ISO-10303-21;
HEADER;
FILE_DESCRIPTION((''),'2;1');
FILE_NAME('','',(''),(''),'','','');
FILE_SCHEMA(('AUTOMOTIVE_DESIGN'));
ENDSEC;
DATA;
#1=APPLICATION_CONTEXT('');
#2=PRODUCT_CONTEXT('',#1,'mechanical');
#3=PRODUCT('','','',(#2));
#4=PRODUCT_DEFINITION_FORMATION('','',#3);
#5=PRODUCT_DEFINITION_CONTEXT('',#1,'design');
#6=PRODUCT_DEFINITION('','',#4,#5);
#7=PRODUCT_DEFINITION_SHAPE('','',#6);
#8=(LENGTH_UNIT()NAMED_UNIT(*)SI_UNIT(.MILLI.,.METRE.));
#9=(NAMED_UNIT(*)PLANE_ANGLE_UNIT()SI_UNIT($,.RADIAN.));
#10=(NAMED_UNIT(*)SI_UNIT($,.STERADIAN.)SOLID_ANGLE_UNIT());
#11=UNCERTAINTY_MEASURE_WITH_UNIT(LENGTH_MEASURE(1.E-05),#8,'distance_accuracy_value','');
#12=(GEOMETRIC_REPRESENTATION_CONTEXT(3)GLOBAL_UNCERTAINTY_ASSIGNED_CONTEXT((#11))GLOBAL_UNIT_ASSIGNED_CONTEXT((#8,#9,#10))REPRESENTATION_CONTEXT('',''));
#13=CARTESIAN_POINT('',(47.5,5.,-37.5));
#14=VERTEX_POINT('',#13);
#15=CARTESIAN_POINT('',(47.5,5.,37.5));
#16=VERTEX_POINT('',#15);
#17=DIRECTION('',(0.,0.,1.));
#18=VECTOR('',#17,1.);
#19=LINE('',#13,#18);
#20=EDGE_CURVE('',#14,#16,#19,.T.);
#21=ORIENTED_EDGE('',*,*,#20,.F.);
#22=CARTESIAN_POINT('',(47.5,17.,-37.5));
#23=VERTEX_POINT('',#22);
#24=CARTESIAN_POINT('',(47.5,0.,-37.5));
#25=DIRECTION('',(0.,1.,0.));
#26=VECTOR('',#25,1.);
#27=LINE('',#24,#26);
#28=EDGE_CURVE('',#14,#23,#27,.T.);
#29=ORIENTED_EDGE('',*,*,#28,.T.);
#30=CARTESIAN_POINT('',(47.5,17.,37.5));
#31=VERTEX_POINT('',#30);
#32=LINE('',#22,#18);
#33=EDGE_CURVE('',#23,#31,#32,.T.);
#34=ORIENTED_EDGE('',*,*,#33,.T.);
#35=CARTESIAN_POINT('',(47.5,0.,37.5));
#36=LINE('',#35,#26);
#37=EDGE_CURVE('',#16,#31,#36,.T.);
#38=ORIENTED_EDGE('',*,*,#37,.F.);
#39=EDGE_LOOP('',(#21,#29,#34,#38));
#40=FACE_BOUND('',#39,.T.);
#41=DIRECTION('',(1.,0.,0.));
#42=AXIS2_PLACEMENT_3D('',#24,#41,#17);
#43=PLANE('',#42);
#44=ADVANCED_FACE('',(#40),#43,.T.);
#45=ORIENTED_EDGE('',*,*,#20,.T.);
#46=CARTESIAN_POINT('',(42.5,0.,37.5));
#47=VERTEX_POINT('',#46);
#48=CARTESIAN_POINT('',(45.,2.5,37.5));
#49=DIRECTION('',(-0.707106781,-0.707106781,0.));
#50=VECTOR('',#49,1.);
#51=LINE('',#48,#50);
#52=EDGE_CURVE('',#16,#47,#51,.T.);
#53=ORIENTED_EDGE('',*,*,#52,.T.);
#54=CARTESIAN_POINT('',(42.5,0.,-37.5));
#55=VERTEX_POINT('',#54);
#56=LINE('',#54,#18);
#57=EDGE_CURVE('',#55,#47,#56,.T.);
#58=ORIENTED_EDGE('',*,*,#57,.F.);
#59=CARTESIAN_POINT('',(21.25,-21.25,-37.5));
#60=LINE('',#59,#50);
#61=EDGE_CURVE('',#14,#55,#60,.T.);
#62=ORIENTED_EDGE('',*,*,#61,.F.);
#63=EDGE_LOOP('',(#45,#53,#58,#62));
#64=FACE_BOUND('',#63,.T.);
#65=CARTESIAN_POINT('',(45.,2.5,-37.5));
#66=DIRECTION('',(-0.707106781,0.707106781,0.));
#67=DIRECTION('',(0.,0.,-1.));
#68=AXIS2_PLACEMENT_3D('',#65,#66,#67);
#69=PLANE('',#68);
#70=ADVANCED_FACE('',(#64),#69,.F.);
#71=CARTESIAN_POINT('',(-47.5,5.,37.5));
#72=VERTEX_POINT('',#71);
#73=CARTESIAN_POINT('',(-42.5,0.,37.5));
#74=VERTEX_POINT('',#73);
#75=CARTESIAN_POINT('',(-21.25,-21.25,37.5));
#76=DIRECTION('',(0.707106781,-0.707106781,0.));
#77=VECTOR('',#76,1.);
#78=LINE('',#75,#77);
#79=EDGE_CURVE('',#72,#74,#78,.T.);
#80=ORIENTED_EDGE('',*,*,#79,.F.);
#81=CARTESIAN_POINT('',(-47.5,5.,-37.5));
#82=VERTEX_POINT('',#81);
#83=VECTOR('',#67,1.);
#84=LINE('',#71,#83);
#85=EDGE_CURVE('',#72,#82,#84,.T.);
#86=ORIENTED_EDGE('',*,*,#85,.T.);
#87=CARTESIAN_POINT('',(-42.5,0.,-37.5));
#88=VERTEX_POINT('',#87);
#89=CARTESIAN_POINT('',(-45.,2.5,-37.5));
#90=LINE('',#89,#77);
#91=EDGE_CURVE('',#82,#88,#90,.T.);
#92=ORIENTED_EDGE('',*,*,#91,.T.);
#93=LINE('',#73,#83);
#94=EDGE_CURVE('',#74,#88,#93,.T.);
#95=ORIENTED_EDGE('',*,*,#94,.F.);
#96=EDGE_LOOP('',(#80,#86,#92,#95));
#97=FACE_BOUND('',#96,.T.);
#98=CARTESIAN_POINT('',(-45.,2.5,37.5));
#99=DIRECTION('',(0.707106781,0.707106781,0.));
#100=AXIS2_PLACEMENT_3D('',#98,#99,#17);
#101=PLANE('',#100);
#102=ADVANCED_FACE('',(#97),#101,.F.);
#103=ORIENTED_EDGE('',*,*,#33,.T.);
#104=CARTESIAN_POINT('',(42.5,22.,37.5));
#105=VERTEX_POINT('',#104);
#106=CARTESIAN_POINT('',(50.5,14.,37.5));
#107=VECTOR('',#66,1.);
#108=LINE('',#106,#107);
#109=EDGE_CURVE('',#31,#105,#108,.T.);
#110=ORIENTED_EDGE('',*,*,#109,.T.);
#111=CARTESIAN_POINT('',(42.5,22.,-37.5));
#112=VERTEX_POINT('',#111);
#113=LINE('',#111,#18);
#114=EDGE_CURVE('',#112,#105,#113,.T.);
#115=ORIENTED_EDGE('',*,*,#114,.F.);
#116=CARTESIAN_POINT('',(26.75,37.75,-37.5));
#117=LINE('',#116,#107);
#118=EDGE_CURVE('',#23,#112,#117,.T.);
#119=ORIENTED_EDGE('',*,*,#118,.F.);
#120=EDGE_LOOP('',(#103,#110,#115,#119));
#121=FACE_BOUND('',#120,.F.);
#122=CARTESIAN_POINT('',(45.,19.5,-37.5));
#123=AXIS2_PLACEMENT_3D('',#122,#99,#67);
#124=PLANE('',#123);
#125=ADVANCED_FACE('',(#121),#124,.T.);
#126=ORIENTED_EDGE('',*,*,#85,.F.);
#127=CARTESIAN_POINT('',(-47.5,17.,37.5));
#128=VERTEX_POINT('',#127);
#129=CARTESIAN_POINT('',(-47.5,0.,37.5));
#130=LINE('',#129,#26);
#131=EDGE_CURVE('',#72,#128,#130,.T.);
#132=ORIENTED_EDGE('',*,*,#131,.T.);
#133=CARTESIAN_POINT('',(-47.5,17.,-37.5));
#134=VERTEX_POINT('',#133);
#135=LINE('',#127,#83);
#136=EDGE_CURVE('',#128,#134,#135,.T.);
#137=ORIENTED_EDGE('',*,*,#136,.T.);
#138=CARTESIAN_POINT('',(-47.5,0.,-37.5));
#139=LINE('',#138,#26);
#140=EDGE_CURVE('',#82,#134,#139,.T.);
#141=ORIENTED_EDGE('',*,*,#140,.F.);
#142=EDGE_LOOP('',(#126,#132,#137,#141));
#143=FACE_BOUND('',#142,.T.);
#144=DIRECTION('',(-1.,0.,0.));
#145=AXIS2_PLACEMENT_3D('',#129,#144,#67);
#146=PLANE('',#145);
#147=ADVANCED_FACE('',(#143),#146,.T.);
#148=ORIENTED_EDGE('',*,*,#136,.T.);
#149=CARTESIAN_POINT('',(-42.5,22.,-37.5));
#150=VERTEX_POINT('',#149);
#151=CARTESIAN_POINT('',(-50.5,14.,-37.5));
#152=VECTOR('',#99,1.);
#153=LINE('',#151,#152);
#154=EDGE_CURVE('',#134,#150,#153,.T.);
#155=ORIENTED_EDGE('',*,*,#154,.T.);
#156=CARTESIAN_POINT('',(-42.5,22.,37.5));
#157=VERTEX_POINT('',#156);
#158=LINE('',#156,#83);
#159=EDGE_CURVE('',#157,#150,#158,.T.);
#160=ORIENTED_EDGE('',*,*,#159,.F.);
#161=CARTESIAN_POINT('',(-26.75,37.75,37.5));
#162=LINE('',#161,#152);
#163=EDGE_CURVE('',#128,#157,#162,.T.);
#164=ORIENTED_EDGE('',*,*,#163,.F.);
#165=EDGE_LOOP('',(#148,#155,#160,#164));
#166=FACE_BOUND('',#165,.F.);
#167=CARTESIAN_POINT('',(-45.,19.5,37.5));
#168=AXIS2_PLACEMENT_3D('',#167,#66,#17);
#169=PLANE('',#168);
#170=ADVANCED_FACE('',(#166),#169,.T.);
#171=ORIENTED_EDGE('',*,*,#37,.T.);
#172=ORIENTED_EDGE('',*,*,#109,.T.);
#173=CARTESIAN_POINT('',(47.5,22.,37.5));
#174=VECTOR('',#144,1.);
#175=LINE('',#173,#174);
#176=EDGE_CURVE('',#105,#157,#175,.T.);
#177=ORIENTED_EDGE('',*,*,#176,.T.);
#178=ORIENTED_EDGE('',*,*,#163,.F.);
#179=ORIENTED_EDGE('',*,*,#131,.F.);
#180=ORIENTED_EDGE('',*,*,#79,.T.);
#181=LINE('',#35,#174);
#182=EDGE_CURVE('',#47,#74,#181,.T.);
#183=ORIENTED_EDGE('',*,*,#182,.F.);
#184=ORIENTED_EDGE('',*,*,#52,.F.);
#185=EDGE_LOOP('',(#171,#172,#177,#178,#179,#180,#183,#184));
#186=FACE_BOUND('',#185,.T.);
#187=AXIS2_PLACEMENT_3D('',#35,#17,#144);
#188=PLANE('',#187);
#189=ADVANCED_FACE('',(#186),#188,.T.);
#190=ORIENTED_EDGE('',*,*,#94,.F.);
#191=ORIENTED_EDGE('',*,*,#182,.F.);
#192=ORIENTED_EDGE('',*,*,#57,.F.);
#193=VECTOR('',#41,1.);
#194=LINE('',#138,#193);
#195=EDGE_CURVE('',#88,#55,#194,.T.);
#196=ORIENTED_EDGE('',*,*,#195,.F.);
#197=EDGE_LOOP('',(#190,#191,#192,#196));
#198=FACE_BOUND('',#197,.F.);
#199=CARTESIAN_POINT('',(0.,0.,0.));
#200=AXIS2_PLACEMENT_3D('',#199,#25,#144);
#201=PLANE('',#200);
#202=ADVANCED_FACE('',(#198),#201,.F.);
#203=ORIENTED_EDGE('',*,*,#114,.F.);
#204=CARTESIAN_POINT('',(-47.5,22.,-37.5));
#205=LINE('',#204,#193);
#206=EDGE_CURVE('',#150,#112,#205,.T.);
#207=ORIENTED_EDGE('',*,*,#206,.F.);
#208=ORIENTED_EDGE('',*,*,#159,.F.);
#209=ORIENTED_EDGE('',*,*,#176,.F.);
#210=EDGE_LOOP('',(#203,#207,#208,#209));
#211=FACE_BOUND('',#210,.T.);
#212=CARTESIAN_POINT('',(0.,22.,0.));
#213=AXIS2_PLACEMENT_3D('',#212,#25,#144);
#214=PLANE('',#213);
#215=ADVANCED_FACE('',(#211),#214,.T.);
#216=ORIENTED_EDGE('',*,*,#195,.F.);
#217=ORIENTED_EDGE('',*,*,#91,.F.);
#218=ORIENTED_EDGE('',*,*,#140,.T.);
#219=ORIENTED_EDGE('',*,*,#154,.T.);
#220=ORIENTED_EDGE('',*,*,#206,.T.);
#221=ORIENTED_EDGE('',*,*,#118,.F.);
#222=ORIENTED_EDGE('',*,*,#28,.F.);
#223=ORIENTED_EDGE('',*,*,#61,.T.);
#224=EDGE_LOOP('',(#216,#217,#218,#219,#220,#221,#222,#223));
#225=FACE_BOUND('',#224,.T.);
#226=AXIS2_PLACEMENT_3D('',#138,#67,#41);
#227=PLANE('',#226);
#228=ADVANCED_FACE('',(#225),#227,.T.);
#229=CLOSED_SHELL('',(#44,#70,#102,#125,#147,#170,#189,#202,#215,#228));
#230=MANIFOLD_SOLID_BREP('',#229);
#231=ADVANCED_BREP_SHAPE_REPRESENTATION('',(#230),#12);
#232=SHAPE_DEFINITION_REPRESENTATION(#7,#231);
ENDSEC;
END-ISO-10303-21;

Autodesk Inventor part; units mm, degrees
ref_plane "YZ Plane" through (0, 0, 0) normal (1, 0, 0) x (0, 1, 0)
ref_plane "XZ Plane" through (0, 0, 0) normal (0, 1, 0) x (-1, 0, 0)
ref_plane "XY Plane" through (0, 0, 0) normal (0, 0, 1) x (1, 0, 0)
sketch "Sketch1" plane through (0, 0, 0) normal (0, 1, 0) x (-1, 0, 0)
  line L0 (-47.5, 37.5) -> (47.5, 37.5)
  line L1 (47.5, 37.5) -> (47.5, -37.5)
  line L2 (47.5, -37.5) -> (-47.5, -37.5)
  line L3 (-47.5, -37.5) -> (-47.5, 37.5)
  line L4 (-47.5, 37.5) -> (47.5, -37.5) construction
  line L5 (47.5, 37.5) -> (-47.5, -37.5) construction
  point P0 (0, 0)
  dimension "d0" = 95
  dimension "d1" = 75
extrude "Extrusion1" add sketch "Sketch1" along normal blind 22
chamfer "Chamfer1" distance 5 angle 45 4 edges at (-47.5, 22, 0) (47.5, 22, 0) (47.5, 0, 0) (-47.5, 0, 0)
properties part number "NESE 2S2P"
